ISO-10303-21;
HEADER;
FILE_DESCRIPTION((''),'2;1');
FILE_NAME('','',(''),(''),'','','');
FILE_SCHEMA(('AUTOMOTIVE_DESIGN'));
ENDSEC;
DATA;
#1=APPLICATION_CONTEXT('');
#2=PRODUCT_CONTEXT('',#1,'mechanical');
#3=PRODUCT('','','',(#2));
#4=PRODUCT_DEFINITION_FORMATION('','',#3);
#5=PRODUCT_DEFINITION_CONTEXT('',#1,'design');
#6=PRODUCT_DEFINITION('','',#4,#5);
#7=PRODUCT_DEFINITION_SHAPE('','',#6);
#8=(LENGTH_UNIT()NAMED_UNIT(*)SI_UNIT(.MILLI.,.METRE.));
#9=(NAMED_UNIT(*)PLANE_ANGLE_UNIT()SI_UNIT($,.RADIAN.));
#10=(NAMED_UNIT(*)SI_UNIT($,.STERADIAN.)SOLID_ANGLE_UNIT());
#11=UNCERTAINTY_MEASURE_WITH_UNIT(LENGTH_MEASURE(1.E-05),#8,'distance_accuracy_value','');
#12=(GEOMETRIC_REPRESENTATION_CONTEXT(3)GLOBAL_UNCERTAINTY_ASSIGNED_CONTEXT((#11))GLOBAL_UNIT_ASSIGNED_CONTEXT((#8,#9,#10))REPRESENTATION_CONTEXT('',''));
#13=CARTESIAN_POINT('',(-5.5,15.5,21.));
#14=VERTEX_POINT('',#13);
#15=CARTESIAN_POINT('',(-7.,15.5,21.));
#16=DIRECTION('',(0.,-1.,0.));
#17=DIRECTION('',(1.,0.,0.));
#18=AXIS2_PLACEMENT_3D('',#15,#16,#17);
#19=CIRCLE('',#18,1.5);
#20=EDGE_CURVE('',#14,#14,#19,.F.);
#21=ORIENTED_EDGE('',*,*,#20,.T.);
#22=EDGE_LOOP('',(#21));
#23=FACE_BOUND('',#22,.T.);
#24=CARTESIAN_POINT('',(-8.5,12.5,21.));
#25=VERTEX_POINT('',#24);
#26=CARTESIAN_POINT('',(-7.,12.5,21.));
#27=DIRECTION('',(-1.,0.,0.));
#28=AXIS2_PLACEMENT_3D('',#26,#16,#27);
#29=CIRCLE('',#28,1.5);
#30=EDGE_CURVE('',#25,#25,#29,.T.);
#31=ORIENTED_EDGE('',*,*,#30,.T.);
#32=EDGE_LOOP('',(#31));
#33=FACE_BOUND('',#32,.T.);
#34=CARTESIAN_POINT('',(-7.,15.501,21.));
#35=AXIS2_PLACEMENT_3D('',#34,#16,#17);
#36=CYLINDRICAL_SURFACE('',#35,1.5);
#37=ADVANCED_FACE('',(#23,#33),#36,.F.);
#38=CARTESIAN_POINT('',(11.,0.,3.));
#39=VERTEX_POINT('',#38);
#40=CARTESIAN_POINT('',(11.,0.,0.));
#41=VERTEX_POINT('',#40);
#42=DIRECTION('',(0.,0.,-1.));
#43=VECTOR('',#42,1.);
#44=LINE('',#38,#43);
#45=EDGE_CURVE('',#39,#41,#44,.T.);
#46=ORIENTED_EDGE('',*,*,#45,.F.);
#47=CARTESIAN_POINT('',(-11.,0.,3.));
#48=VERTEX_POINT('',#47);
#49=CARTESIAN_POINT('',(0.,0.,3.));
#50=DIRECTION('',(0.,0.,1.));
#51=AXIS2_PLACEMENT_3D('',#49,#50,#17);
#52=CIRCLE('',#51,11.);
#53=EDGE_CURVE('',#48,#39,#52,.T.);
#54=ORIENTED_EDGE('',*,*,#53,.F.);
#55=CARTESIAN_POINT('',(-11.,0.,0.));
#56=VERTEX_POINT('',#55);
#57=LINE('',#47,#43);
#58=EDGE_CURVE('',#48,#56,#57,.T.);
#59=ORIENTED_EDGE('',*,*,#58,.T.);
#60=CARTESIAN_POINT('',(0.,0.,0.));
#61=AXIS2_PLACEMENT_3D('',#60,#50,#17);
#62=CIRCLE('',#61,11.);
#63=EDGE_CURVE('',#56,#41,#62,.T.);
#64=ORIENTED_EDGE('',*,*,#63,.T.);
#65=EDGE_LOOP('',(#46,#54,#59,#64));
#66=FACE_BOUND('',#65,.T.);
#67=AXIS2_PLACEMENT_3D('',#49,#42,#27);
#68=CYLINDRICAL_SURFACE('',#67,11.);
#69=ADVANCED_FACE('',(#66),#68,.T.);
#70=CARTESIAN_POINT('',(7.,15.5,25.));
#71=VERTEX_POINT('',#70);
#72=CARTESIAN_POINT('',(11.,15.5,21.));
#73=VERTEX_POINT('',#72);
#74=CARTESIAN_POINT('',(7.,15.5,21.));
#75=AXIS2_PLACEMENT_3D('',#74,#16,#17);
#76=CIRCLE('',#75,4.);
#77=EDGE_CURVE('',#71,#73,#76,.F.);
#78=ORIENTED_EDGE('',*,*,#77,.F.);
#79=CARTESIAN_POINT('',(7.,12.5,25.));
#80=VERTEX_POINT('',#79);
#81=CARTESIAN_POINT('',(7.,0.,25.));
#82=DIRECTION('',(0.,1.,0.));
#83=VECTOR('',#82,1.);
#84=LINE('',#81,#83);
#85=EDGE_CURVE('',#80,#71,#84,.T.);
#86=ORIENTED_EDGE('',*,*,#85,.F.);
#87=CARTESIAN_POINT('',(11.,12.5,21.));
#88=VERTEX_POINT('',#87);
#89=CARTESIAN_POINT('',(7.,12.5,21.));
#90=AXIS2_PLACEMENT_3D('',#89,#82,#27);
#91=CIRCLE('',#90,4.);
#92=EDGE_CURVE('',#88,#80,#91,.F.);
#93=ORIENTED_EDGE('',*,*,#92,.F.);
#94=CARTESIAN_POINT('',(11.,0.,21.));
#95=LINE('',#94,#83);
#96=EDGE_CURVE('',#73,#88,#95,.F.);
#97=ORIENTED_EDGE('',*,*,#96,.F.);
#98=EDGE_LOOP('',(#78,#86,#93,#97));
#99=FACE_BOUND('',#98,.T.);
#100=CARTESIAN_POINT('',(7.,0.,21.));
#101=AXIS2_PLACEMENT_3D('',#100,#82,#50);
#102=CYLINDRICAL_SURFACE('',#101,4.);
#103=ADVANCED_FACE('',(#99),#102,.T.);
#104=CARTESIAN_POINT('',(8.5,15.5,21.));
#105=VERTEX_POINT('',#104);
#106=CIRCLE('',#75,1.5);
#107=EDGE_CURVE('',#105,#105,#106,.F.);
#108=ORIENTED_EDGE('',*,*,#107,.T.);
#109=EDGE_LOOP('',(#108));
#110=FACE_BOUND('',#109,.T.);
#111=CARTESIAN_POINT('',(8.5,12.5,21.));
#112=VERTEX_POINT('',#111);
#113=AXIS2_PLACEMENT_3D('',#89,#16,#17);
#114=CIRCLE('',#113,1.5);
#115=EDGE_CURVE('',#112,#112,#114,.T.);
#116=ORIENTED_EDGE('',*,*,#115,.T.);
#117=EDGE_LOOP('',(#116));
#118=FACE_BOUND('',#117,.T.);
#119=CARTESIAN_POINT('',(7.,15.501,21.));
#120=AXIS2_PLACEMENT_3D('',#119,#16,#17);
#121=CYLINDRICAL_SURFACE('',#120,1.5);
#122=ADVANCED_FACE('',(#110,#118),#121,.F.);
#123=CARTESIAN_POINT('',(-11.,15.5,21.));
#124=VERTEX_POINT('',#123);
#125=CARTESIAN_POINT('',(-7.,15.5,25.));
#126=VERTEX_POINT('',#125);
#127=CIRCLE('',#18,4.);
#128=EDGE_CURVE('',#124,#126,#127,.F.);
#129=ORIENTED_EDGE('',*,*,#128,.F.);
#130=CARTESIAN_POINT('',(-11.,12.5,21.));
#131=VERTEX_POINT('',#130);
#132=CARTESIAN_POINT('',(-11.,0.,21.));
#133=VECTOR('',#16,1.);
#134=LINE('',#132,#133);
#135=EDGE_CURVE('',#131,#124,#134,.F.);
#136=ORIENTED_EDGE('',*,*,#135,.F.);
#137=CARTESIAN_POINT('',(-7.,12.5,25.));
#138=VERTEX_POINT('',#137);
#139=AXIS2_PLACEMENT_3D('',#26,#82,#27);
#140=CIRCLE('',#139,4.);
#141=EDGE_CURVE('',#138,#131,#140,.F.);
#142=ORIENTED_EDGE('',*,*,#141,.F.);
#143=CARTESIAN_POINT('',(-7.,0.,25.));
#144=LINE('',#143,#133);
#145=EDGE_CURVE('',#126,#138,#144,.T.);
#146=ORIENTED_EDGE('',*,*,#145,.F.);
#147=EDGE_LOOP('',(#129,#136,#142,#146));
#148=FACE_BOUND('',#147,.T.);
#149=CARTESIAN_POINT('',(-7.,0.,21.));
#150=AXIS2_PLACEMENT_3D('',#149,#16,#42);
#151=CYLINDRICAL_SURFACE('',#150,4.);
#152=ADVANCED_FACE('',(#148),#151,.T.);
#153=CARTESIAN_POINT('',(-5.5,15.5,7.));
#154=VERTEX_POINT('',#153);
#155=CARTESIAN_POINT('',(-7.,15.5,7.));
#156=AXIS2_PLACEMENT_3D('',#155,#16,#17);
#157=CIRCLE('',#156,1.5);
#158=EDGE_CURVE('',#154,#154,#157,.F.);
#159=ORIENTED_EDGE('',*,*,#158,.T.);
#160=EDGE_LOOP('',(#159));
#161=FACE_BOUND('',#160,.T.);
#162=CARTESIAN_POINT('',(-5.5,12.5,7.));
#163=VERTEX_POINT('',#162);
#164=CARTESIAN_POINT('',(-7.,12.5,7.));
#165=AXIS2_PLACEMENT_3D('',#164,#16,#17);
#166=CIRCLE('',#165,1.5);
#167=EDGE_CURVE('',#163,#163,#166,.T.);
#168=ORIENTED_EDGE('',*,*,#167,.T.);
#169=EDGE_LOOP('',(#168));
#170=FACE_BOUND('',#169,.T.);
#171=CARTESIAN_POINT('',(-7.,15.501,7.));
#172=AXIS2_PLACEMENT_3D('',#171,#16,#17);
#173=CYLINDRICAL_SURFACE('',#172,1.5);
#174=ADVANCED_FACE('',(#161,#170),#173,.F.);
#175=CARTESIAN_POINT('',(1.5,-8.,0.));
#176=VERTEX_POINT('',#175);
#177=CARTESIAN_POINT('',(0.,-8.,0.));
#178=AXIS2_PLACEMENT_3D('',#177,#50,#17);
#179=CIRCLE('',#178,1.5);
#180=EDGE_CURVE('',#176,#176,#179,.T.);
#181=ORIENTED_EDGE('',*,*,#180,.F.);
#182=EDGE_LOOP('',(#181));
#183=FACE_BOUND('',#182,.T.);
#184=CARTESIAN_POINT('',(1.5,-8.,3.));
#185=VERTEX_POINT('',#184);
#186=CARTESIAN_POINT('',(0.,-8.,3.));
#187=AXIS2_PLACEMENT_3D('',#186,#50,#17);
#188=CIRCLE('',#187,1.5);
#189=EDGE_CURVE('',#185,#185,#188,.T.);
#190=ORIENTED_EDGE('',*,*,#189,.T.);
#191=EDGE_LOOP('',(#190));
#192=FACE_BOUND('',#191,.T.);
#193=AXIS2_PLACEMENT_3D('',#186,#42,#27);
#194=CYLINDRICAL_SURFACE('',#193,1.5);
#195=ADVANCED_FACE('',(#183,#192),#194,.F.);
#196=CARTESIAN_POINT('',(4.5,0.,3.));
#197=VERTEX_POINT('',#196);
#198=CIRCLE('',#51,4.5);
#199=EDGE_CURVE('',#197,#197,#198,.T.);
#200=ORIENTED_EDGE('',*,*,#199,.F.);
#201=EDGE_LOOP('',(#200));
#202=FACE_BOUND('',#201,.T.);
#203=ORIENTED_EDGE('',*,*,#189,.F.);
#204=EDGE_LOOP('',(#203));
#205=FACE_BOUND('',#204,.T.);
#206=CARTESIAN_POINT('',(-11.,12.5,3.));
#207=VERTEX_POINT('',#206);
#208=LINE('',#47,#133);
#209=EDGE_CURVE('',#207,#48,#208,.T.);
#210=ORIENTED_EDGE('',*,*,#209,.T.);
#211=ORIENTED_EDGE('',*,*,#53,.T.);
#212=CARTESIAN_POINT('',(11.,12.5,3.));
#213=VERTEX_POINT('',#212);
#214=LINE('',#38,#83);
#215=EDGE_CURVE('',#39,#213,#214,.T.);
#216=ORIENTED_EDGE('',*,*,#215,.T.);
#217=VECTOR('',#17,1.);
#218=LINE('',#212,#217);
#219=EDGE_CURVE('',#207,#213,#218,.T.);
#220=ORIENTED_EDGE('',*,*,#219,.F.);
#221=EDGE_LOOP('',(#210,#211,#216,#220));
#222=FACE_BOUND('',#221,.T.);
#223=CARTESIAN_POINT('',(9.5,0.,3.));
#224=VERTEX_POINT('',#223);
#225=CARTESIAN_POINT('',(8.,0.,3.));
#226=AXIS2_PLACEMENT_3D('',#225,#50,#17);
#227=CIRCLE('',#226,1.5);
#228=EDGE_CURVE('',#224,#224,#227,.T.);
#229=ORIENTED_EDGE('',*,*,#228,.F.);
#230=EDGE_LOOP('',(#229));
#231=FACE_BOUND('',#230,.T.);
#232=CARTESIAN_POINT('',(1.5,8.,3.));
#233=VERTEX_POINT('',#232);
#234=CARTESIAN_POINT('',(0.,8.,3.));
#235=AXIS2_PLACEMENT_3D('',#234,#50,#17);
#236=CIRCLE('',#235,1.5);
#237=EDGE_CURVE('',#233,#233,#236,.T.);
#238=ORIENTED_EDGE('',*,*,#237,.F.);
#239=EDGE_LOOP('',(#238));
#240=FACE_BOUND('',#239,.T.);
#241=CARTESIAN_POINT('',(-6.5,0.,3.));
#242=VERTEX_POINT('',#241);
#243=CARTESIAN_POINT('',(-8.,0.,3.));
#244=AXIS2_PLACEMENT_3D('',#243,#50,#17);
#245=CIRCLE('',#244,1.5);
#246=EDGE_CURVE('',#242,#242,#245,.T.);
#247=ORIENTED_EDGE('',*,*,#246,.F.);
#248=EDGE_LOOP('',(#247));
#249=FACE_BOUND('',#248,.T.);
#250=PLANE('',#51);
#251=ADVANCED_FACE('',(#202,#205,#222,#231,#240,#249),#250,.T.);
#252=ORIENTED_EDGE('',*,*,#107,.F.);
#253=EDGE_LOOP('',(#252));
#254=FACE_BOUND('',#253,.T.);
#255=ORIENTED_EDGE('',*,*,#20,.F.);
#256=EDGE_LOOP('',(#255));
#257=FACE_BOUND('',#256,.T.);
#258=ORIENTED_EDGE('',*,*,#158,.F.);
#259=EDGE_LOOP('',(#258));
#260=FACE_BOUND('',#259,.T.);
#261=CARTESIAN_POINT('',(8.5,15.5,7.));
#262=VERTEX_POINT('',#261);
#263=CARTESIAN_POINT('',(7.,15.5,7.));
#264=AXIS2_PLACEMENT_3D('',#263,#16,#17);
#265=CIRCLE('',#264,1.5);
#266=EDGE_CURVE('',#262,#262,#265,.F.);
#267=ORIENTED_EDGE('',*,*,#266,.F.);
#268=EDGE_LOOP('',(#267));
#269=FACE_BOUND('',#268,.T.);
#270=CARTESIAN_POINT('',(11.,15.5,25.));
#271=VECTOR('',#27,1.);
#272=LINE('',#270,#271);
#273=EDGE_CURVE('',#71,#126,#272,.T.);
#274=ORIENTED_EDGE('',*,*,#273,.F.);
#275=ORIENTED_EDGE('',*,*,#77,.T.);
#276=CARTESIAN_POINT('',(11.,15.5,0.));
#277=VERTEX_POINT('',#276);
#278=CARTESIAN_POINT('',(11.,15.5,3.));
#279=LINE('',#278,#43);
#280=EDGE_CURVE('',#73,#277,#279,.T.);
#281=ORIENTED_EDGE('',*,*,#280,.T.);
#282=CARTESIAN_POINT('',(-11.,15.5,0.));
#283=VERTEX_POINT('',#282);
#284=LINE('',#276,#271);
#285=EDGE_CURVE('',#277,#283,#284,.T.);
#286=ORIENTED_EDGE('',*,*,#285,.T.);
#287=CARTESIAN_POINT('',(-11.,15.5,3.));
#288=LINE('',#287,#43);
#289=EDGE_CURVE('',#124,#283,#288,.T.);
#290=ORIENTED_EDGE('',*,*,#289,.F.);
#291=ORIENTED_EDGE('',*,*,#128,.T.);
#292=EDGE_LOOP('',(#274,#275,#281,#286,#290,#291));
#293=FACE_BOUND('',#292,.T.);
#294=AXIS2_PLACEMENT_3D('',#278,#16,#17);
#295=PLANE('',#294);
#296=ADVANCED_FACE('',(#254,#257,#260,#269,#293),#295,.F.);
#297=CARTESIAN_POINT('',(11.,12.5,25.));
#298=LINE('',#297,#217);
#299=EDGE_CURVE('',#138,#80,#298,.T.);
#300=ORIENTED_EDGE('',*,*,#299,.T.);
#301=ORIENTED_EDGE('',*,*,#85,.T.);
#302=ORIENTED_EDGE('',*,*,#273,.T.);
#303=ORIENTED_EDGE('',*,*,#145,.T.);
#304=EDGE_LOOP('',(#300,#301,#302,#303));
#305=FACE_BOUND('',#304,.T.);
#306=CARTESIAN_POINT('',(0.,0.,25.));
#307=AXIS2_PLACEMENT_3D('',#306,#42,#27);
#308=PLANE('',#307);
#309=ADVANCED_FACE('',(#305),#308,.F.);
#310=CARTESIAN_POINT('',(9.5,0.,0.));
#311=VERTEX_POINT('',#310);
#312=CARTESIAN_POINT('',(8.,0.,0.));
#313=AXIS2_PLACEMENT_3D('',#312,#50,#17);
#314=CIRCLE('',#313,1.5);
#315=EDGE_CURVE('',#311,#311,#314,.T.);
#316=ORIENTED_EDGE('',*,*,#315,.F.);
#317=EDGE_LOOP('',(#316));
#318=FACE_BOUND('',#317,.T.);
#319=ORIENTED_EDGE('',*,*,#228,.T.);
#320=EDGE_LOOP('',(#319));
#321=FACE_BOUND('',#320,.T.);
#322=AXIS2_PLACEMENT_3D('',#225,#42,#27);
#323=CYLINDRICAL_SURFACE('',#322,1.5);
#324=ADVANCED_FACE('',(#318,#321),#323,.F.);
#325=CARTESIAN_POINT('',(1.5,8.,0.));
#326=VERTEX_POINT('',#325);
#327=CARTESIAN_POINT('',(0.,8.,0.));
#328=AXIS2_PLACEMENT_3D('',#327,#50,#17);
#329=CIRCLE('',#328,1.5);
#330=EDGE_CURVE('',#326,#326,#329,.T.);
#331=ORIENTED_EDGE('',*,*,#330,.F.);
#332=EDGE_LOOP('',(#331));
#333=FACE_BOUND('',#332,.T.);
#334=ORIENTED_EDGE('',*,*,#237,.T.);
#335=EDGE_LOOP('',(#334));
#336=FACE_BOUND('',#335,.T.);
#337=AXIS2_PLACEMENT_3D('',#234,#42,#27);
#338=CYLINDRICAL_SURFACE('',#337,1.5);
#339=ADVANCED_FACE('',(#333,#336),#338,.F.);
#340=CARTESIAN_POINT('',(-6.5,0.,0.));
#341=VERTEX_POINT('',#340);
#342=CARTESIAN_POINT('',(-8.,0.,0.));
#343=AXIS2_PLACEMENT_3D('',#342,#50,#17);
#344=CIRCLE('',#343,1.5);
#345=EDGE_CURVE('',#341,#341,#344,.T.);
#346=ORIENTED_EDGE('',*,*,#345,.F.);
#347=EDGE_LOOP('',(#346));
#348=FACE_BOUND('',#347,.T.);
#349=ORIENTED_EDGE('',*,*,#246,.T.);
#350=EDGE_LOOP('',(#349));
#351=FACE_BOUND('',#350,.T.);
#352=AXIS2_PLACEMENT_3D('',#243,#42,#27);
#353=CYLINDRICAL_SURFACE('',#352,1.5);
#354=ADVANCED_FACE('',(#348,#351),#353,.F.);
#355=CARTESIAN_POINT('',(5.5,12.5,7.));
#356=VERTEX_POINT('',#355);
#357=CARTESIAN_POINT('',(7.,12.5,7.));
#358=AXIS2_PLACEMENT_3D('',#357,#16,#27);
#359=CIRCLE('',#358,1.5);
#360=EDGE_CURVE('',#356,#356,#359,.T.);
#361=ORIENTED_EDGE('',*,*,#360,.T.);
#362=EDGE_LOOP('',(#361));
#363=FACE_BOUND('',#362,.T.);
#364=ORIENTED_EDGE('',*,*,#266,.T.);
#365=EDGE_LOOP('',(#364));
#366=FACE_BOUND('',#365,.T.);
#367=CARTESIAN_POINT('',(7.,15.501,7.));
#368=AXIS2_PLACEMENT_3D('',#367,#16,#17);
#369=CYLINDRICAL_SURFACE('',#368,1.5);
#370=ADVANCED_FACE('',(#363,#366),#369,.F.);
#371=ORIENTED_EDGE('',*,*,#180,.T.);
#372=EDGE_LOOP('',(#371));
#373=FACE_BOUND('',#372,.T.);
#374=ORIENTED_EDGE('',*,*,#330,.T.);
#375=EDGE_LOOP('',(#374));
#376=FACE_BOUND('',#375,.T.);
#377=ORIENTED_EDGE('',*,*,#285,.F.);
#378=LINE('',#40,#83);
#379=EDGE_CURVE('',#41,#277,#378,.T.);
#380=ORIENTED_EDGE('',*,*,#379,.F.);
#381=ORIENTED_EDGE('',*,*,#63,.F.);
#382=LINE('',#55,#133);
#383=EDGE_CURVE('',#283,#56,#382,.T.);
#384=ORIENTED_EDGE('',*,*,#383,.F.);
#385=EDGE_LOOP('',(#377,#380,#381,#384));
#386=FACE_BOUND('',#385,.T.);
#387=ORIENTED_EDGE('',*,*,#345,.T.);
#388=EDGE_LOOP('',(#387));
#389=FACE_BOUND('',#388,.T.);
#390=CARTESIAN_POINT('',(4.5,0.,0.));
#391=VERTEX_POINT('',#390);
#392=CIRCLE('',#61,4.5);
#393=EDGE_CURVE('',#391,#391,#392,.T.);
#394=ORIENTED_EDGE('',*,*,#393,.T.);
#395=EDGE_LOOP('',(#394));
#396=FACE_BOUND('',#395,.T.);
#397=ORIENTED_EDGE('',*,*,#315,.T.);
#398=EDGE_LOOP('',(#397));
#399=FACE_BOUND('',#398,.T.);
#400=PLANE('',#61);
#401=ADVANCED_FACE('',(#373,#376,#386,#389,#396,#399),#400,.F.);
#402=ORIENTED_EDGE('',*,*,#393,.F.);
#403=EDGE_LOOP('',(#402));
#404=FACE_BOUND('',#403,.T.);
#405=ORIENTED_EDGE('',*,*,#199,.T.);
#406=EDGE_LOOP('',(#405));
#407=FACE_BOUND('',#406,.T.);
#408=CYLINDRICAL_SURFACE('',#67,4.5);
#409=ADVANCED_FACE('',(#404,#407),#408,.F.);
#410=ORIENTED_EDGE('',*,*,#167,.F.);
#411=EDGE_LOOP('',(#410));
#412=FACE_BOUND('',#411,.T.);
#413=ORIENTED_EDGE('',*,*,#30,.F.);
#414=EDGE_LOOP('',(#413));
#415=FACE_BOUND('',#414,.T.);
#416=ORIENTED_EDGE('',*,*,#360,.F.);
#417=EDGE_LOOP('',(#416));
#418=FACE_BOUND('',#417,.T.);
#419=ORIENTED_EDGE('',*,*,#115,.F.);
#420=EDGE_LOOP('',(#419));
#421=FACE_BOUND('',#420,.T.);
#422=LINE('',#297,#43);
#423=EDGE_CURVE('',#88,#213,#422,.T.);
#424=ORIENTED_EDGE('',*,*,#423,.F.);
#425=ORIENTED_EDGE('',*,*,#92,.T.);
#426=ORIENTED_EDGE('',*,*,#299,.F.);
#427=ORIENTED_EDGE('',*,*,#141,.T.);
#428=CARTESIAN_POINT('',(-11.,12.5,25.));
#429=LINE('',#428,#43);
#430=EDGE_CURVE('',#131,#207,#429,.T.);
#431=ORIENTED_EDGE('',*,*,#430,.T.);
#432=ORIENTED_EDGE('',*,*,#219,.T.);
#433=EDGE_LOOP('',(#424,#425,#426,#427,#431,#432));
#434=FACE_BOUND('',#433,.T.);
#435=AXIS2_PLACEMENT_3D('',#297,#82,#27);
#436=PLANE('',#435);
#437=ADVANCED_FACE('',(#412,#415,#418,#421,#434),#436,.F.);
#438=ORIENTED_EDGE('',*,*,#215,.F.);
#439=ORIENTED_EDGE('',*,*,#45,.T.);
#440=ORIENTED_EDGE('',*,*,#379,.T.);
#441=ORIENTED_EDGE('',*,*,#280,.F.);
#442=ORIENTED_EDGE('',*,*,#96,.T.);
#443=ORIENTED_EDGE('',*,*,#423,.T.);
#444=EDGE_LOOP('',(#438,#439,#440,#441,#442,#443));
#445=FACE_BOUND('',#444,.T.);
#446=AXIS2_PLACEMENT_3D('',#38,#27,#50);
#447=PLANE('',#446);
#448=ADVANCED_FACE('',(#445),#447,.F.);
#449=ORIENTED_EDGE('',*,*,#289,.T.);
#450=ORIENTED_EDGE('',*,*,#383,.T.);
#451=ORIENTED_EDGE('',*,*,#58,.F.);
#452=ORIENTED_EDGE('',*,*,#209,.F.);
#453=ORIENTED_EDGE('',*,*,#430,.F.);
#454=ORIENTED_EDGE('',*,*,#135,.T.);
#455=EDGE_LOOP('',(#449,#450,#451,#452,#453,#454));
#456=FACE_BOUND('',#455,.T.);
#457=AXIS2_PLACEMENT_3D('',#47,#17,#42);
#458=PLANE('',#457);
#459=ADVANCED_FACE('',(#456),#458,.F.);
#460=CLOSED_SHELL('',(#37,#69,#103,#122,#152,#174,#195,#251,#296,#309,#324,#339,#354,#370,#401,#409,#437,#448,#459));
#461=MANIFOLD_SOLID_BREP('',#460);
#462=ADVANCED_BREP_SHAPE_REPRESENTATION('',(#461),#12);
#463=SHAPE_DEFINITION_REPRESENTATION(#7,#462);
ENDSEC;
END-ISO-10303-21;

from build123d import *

# Parameters (mm, degrees)
ESQUISSE1_R             = 1.5
ESQUISSE1_R_2           = 4.5
BOSS_EXTRU_1_DEPTH      = 3
ESQUISSE2_W             = 22
ESQUISSE2_H             = 3
BOSS_EXTRU_2_DEPTH      = 22
ENL_V_MAT_EXTRU_1_REACH = 38.031
ESQUISSE3_R             = 1.5
CONG_1_R                = 4


with BuildPart() as part:
    # Esquisse1 → Boss.-Extru.1 (new body)
    with BuildSketch(Plane.XY):
        with BuildLine():
            Line((11, 0), (11, 15.5))
            Line((11, 15.5), (-11, 15.5))
            Line((-11, 15.5), (-11, 0))
            ThreePointArc((-11, 0), (0, -11), (11, 0))
        make_face()
        with Locations((8, 0)):
            Circle(ESQUISSE1_R, mode=Mode.SUBTRACT)
        with Locations((0, -8)):
            Circle(ESQUISSE1_R, mode=Mode.SUBTRACT)
        with Locations((0, 8)):
            Circle(ESQUISSE1_R, mode=Mode.SUBTRACT)
        with Locations((-8, 0)):
            Circle(ESQUISSE1_R, mode=Mode.SUBTRACT)
        Circle(ESQUISSE1_R_2, mode=Mode.SUBTRACT)
    extrude(amount=BOSS_EXTRU_1_DEPTH)

    # Esquisse2 → Boss.-Extru.2 (add)
    with BuildSketch(Plane.XY.offset(3)):
        with Locations((0, 14)):
            Rectangle(ESQUISSE2_W, ESQUISSE2_H)
    extrude(amount=BOSS_EXTRU_2_DEPTH)

    # Esquisse3 → Enlèv. mat.-Extru.1 (cut, up to next)
    with BuildSketch(Plane.XZ.offset(-12.5), mode=Mode.PRIVATE) as enl_v_mat_extru_1_sk1:
        with Locations((7, 21)):
            Circle(ESQUISSE3_R)
    enl_v_mat_extru_1_tool1 = extrude(enl_v_mat_extru_1_sk1.sketch, amount=-ENL_V_MAT_EXTRU_1_REACH, mode=Mode.PRIVATE) & part.part
    # Esquisse3 → Enlèv. mat.-Extru.1 (cut, up to next)
    with BuildSketch(Plane.XZ.offset(-12.5), mode=Mode.PRIVATE) as enl_v_mat_extru_1_sk2:
        with Locations((-7, 21)):
            Circle(ESQUISSE3_R)
    enl_v_mat_extru_1_tool2 = extrude(enl_v_mat_extru_1_sk2.sketch, amount=-ENL_V_MAT_EXTRU_1_REACH, mode=Mode.PRIVATE) & part.part
    # Esquisse3 → Enlèv. mat.-Extru.1 (cut, up to next)
    with BuildSketch(Plane.XZ.offset(-12.5), mode=Mode.PRIVATE) as enl_v_mat_extru_1_sk3:
        with Locations((7, 7)):
            Circle(ESQUISSE3_R)
    enl_v_mat_extru_1_tool3 = extrude(enl_v_mat_extru_1_sk3.sketch, amount=-ENL_V_MAT_EXTRU_1_REACH, mode=Mode.PRIVATE) & part.part
    # Esquisse3 → Enlèv. mat.-Extru.1 (cut, up to next)
    with BuildSketch(Plane.XZ.offset(-12.5), mode=Mode.PRIVATE) as enl_v_mat_extru_1_sk4:
        with Locations((-7, 7)):
            Circle(ESQUISSE3_R)
    enl_v_mat_extru_1_tool4 = extrude(enl_v_mat_extru_1_sk4.sketch, amount=-ENL_V_MAT_EXTRU_1_REACH, mode=Mode.PRIVATE) & part.part
    add(enl_v_mat_extru_1_tool1.solids().sort_by_distance((7, 12.5, 21))[0], mode=Mode.SUBTRACT)
    add(enl_v_mat_extru_1_tool2.solids().sort_by_distance((-7, 12.5, 21))[0], mode=Mode.SUBTRACT)
    add(enl_v_mat_extru_1_tool3.solids().sort_by_distance((7, 12.5, 7))[0], mode=Mode.SUBTRACT)
    add(enl_v_mat_extru_1_tool4.solids().sort_by_distance((-7, 12.5, 7))[0], mode=Mode.SUBTRACT)

    # Congé1
    cong_1_edges = [part.edges().sort_by_distance(p)[0] for p in [
        (11, 14, 25),
        (-11, 14, 25),
    ]]
    fillet(cong_1_edges, radius=CONG_1_R)


solid = part.part
